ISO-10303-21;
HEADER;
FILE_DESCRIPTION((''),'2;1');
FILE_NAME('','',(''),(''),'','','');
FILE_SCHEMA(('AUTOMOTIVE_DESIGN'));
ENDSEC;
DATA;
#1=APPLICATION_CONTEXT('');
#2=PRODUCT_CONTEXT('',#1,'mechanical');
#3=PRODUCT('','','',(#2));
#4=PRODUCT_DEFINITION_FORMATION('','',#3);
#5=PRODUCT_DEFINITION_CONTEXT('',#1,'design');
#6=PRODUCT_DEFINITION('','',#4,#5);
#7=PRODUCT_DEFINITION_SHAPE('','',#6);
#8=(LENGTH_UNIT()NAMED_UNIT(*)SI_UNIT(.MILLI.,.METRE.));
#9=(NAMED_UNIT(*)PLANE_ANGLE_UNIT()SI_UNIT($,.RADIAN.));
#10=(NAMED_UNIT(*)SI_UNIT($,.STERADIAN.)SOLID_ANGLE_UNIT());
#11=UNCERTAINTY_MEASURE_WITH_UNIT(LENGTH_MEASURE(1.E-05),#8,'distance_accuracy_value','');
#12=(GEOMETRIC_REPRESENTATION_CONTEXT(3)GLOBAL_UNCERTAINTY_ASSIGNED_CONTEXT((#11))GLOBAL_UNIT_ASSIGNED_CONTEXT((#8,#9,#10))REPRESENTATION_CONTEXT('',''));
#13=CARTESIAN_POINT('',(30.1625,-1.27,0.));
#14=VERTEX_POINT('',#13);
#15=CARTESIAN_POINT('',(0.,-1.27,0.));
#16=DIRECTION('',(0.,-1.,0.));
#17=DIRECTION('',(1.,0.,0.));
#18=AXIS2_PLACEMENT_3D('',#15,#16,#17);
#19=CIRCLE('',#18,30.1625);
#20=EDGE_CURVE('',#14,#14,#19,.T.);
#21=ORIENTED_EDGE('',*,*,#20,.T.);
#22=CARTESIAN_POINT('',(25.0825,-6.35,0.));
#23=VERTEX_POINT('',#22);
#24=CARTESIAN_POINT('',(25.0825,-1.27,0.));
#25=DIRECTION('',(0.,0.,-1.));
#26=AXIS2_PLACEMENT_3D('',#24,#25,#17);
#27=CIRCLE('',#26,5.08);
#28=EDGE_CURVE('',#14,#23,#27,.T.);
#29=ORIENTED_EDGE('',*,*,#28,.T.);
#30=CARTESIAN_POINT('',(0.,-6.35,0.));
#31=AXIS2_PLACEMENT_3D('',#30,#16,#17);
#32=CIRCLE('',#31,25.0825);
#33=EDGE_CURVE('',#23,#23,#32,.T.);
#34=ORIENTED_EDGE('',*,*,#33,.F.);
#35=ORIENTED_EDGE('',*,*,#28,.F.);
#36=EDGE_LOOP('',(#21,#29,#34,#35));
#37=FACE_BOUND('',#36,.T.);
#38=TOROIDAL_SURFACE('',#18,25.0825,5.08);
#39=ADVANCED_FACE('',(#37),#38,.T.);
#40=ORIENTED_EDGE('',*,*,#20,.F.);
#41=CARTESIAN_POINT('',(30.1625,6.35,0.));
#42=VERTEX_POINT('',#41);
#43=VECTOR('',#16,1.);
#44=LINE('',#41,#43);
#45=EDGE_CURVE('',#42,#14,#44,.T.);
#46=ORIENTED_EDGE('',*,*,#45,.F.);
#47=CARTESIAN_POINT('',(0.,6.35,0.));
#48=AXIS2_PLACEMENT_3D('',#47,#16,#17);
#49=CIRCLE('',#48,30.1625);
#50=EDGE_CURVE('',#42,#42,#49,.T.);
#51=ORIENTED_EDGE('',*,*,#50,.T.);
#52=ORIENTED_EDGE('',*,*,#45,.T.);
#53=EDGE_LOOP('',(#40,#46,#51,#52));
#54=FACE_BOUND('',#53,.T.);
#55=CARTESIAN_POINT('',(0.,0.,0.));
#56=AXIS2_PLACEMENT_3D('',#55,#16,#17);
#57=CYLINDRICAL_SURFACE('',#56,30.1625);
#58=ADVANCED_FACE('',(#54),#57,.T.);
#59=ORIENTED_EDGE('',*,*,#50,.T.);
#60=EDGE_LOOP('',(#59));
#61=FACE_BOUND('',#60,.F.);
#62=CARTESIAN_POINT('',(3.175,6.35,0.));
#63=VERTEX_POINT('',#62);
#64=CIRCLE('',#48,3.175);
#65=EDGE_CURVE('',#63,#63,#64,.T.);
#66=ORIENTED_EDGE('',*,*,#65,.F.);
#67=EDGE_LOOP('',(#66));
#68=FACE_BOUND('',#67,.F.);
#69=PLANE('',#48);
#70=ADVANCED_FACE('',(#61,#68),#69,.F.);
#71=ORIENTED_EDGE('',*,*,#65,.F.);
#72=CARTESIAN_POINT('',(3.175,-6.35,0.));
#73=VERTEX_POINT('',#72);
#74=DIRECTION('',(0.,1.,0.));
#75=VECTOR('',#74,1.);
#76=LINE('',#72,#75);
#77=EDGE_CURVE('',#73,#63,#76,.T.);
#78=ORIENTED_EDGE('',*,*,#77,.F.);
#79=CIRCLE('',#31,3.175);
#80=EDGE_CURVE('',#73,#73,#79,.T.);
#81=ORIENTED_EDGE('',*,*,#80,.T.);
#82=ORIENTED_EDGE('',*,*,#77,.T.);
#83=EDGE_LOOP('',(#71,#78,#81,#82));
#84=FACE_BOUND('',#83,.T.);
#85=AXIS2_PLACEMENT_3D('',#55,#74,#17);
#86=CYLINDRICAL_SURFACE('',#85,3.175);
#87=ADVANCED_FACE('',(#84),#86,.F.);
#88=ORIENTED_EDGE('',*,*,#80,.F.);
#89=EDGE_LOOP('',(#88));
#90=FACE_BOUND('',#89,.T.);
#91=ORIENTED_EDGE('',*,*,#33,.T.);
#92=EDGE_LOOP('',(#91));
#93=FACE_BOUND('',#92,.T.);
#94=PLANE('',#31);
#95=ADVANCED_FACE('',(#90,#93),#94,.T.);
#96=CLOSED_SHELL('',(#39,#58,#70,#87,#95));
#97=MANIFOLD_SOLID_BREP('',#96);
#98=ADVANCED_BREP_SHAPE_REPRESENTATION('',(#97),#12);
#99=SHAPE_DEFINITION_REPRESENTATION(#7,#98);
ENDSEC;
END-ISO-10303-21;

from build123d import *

# Parameters (mm, degrees)
F0_R     = 30.1625
F0_R_2   = 3.175
F1_DEPTH = 6.35
F2_R     = 5.08


with BuildPart() as f1:
    # F0 (on Front) → F1 (new body, symmetric)
    with BuildSketch(Plane.XZ):
        Circle(F0_R)
        Circle(F0_R_2, mode=Mode.SUBTRACT)
    extrude(amount=F1_DEPTH, both=True)

    # F2
    f2_edges = [f1.edges().sort_by_distance(p)[0] for p in [
        (-30.1625, -6.35, 0),
    ]]
    fillet(f2_edges, radius=F2_R)


solid = f1.part
